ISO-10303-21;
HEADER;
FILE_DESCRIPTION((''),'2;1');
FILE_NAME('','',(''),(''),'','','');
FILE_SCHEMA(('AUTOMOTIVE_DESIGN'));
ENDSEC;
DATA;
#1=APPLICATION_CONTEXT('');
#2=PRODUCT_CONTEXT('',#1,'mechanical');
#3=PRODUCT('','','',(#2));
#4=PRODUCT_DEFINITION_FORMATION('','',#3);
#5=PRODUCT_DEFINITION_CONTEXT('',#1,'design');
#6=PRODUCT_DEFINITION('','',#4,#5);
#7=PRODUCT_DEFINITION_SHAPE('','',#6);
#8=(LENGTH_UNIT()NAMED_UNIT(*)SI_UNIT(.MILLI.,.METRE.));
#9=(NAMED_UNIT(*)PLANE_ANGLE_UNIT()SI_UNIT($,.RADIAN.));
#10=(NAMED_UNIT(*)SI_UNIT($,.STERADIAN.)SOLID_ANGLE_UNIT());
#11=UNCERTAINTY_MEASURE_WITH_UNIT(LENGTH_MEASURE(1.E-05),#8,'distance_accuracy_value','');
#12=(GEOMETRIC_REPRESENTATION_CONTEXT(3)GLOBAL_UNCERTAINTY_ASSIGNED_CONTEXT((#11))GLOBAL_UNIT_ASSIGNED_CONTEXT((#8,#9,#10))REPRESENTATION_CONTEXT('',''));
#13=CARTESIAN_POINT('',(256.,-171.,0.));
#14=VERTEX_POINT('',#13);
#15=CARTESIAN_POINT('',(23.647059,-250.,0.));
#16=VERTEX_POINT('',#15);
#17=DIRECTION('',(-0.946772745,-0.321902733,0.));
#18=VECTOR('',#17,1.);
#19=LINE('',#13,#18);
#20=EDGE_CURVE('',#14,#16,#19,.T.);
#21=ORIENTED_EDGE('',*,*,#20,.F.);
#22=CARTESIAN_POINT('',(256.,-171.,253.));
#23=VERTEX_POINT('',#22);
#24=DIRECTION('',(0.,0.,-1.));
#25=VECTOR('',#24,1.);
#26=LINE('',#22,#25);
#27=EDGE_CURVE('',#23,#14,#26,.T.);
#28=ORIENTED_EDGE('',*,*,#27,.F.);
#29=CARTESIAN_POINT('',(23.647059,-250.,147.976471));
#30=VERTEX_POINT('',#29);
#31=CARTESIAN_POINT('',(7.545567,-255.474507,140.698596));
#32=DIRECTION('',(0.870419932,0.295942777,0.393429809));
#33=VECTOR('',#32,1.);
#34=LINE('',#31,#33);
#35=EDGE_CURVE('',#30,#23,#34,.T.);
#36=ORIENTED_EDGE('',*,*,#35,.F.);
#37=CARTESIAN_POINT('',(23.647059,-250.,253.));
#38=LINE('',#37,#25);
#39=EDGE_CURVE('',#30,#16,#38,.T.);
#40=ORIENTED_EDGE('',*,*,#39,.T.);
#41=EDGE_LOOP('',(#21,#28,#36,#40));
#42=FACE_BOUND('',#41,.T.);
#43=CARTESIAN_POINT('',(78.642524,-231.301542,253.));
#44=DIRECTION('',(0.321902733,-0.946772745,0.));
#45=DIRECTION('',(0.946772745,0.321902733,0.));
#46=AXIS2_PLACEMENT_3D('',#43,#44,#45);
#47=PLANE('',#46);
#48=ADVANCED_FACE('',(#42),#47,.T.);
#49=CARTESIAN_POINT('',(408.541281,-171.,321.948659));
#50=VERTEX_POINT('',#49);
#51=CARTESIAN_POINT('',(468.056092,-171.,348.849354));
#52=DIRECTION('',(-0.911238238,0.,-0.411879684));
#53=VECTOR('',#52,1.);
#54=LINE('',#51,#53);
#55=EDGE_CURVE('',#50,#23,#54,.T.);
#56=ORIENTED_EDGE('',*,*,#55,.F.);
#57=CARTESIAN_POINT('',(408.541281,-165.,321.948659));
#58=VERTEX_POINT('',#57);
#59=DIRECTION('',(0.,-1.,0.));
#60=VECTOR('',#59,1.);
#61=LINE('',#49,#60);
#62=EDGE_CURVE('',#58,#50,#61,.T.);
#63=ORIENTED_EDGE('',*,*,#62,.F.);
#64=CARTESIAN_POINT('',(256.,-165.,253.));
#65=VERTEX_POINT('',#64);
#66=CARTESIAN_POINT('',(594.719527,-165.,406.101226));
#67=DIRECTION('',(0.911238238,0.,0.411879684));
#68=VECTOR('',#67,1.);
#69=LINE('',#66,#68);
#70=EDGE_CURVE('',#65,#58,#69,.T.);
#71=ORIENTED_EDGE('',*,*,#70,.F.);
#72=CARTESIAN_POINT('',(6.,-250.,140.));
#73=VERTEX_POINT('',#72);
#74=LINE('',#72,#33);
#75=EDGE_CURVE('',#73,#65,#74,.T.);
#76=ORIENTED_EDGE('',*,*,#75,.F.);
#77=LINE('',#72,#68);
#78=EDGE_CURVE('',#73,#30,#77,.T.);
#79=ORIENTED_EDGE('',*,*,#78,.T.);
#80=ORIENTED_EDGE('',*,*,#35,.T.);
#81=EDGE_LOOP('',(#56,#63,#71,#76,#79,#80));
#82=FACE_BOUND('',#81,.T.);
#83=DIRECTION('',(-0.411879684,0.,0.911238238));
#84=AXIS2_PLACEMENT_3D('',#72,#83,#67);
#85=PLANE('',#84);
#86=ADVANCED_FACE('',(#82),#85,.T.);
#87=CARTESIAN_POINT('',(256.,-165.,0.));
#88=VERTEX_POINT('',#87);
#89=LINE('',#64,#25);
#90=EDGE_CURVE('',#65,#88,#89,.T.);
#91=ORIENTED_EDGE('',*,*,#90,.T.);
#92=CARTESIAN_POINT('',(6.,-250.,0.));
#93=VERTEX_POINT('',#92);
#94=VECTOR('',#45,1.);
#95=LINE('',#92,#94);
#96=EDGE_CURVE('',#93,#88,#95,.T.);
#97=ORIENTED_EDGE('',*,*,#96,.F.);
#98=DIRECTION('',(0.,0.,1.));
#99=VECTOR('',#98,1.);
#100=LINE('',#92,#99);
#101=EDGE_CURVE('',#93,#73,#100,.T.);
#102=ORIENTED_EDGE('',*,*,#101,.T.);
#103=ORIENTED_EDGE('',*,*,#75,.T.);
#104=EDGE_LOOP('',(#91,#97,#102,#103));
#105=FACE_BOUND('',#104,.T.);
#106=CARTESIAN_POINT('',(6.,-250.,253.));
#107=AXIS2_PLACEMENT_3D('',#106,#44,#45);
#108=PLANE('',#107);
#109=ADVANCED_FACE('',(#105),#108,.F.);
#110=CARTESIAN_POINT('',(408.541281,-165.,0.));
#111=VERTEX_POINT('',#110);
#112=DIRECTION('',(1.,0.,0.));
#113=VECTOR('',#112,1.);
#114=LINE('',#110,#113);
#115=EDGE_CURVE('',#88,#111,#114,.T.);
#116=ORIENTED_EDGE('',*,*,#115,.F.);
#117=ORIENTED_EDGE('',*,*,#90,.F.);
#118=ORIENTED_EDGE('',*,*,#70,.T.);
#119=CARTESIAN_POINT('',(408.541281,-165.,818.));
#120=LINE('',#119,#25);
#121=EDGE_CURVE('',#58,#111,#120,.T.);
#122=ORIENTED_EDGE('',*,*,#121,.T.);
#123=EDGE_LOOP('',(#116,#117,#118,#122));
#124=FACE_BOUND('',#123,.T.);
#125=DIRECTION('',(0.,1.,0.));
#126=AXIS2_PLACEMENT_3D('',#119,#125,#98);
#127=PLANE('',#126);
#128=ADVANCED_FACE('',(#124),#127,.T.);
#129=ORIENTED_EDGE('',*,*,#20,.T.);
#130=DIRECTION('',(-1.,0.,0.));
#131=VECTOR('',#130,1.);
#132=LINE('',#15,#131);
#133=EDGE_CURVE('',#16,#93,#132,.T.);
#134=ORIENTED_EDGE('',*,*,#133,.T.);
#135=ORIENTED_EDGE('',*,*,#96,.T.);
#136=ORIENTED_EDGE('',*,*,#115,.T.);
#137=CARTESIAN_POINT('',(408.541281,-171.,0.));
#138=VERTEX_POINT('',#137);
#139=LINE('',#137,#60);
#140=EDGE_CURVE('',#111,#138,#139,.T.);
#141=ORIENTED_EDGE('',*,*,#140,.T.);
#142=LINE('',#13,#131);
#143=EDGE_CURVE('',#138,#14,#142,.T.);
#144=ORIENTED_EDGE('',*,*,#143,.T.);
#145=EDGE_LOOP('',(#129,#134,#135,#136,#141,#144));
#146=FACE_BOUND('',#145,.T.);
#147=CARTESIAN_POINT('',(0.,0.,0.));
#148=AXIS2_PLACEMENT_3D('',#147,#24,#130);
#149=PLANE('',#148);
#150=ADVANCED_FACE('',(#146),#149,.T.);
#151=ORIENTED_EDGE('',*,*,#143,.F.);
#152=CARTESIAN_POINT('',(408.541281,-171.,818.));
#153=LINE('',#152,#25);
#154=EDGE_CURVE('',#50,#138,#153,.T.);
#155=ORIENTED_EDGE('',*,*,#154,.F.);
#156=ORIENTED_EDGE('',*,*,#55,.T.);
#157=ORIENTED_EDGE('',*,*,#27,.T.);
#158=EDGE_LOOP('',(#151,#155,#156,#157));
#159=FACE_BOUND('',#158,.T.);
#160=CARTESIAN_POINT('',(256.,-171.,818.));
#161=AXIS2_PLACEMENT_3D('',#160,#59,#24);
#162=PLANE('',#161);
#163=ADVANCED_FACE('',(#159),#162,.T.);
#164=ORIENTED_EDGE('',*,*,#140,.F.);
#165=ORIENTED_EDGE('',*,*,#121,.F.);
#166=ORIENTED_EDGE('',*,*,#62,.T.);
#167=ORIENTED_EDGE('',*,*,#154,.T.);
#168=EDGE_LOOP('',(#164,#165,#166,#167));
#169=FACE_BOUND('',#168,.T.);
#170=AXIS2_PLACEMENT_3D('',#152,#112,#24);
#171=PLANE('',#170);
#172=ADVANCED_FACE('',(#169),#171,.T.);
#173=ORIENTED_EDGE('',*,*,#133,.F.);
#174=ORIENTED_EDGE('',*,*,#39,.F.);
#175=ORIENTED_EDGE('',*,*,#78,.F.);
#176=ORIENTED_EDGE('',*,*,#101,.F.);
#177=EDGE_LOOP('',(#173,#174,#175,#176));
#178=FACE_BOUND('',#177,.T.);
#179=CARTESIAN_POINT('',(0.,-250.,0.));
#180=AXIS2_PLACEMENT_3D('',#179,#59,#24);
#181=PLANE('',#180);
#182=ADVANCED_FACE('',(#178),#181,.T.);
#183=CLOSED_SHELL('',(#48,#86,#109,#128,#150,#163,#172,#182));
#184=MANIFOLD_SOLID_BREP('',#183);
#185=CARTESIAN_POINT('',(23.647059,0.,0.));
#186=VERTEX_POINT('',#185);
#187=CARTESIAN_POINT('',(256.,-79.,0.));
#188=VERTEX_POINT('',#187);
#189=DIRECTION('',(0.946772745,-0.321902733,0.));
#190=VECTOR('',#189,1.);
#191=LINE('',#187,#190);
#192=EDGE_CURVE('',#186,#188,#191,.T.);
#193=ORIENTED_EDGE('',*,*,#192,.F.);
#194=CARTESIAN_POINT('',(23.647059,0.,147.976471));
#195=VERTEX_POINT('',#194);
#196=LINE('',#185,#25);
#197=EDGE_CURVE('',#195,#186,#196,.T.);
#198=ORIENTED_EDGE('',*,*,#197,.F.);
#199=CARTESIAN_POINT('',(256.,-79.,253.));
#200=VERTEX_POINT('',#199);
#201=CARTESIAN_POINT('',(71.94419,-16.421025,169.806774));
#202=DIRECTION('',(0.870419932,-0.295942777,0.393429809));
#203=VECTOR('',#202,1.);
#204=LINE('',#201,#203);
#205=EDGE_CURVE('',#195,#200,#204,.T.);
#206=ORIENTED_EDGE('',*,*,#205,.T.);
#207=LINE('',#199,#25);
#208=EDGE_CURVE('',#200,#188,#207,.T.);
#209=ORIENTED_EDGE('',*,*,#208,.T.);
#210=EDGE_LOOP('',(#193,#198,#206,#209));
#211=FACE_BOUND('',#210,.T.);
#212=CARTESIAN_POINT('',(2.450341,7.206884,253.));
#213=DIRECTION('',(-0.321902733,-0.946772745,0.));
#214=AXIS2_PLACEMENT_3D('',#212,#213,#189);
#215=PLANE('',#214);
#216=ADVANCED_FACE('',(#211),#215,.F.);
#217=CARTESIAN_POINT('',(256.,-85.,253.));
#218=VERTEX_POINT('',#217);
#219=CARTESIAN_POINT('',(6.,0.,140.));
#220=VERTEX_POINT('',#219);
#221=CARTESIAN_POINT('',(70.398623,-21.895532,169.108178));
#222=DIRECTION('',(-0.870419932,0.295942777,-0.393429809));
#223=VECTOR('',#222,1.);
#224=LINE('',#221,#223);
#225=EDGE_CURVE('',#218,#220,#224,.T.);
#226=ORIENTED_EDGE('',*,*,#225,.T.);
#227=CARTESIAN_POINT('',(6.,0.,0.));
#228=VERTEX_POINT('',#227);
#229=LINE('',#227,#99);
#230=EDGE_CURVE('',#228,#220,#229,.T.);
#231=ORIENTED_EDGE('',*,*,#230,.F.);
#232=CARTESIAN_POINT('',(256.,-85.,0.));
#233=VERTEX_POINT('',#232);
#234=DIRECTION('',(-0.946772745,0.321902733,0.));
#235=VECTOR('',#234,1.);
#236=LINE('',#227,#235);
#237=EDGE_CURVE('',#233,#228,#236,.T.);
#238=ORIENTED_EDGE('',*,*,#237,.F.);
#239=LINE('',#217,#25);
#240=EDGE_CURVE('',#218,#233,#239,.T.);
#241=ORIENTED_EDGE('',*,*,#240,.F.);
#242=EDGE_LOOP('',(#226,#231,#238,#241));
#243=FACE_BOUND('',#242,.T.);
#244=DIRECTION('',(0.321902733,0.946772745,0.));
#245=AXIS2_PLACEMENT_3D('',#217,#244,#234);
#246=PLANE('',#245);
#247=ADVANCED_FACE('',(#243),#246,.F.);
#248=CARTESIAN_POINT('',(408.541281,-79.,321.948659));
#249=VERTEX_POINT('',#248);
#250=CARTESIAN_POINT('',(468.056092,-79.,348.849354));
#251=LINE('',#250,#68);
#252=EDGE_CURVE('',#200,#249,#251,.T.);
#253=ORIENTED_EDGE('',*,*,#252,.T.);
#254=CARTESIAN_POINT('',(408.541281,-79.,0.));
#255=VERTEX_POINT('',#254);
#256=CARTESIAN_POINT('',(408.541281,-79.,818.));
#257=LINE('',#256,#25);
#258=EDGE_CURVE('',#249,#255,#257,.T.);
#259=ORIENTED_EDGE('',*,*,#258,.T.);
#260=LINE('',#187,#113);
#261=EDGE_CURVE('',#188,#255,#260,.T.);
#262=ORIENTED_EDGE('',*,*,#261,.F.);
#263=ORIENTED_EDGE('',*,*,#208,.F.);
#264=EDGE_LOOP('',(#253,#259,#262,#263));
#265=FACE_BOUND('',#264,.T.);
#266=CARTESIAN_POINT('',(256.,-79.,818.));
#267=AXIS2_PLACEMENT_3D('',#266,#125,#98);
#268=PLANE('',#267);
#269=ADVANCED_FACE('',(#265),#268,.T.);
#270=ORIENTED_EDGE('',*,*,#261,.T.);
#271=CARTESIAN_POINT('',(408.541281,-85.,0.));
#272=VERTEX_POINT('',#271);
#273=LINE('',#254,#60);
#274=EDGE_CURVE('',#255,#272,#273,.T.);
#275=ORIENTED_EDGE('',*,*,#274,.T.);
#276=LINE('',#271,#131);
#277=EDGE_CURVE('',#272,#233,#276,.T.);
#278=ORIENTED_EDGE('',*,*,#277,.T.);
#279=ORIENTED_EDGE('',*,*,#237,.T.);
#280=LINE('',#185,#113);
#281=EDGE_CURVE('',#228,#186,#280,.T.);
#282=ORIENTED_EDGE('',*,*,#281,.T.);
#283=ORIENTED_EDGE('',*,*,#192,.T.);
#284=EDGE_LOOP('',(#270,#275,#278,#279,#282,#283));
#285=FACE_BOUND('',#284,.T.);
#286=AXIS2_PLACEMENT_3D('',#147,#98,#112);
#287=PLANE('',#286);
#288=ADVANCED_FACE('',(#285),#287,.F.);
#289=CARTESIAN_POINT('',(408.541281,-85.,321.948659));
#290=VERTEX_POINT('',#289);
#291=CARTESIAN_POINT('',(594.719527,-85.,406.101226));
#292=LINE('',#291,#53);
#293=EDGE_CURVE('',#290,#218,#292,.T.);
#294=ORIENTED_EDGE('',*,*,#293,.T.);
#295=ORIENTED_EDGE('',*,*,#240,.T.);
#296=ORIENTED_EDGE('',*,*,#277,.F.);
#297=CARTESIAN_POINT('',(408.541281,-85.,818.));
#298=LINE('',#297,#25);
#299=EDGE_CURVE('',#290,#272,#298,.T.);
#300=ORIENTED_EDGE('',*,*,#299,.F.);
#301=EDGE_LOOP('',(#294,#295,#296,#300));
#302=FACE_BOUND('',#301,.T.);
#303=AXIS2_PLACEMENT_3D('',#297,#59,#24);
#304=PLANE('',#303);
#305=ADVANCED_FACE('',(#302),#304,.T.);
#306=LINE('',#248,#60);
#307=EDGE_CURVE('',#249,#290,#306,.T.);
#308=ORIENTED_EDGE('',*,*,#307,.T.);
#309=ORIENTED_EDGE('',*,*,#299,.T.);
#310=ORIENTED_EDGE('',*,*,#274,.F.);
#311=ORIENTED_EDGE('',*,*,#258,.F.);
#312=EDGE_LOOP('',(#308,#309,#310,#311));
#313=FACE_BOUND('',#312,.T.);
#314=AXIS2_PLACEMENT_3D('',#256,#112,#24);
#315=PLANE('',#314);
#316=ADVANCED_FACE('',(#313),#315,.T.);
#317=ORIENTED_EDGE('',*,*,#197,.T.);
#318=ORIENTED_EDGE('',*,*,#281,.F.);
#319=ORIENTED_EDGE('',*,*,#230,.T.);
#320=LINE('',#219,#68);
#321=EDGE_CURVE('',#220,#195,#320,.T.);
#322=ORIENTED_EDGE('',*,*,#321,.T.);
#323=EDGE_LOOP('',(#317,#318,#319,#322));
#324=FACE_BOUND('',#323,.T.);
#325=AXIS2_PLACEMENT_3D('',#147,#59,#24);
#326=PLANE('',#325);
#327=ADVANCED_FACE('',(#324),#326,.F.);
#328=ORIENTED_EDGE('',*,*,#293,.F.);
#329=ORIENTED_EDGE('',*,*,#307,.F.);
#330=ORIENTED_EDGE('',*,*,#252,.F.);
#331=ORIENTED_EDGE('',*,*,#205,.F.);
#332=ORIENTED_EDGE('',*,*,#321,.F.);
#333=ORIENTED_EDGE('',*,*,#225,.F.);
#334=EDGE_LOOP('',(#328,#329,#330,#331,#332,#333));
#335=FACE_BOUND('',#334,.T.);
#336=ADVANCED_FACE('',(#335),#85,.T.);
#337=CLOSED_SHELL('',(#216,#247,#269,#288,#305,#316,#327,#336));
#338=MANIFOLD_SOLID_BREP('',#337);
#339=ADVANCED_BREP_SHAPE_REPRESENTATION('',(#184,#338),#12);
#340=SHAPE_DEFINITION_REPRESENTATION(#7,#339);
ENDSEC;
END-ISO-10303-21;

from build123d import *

# Parameters (mm, degrees)
ESBO_O1_W                = 6
ESBO_O1_H                = 250
RESSALTO_EXTRUS_O1_DEPTH = 140
RESSALTO_EXTRUS_O2_DEPTH = 250
CORTE_EXTRUS_O2_DEPTH    = 385.234303518
CORTE_EXTRUS_O3_DEPTH    = 385.234303518
RESSALTO_EXTRUS_O3_DEPTH = 140
ESBO_O7_W                = 140
ESBO_O7_H                = 250
CORTE_EXTRUS_O4_DEPTH    = 435.751653246
ESBO_O16_W               = 152.541281031
ESBO_O16_H               = 6
RESSALTO_EXTRUS_O7_DEPTH = 818
ESBO_O18_W               = 875.999462612
ESBO_O18_H               = 418.194526065
CORTE_EXTRUS_O7_DEPTH    = 878.372173794


with BuildPart() as part:
    # Esboço1 → Ressalto-extrusão1 (new body)
    with BuildSketch(Plane.XY):
        with Locations((3, -125)):
            Rectangle(ESBO_O1_W, ESBO_O1_H)
    extrude(amount=RESSALTO_EXTRUS_O1_DEPTH)

    # Esboço7 → Corte-extrusão4 (cut, through all)
    with BuildSketch(Plane(origin=(6, 0, 0), x_dir=(0, 0, -1), z_dir=(1, 0, 0))):
        with Locations((-70, -125)):
            Rectangle(ESBO_O7_W, ESBO_O7_H)
    extrude(amount=-CORTE_EXTRUS_O4_DEPTH, mode=Mode.SUBTRACT)


with BuildPart() as body_2:
    # Esboço3 → Ressalto-extrusão2 (new body)
    with BuildSketch(Plane(origin=(0, 0, 0), x_dir=(1, 0, 0), z_dir=(0, 1, 0))):
        Polygon((6, -140), (256, -253), (256, -140), align=None)
    extrude(amount=-RESSALTO_EXTRUS_O2_DEPTH)

    # Esboço5 → Corte-extrusão2 (cut, through all)
    with BuildSketch(Plane(origin=(0, 0, 140), x_dir=(-1, 0, 0), z_dir=(0, 0, -1))):
        Polygon((-256, -85), (-6, 0), (-6, -250), (-256, -165), align=None)
    extrude(amount=-CORTE_EXTRUS_O2_DEPTH, mode=Mode.SUBTRACT)


with BuildPart() as corte_extrus_o2_piece_1:
    # of the separate pieces the step leaves, piece 1, a body of its own (corte_extrus_o2_pieces)
    add(body_2.part.solids().sort_by_distance((256, -165, 253))[0])


with BuildPart() as corte_extrus_o2_piece_2:
    # of the separate pieces the step leaves, piece 2, a body of its own (corte_extrus_o2_pieces)
    add(body_2.part.solids().sort_by_distance((6, 0, 140))[0])


with BuildPart() as corte_extrus_o3_tool:
    # Esboço6 → Corte-extrusão3 (new, through all)
    with BuildSketch(Plane(origin=(0, 0, 140), x_dir=(-1, 0, 0), z_dir=(0, 0, -1))):
        Polygon((-23.647058824, 0), (-256, 0), (-256, -79), align=None)
        Polygon((-23.647058824, -250), (-256, -171), (-256, -250), align=None)
    extrude(amount=-CORTE_EXTRUS_O3_DEPTH)


with BuildPart() as corte_extrus_o2_piece_1_1:
    add(corte_extrus_o2_piece_1.part)

    # Corte-extrusão3: cut by corte_extrus_o3_tool
    add(corte_extrus_o3_tool.part, mode=Mode.SUBTRACT)


with BuildPart() as corte_extrus_o2_piece_2_1:
    add(corte_extrus_o2_piece_2.part)

    # Corte-extrusão3: cut by corte_extrus_o3_tool
    add(corte_extrus_o3_tool.part, mode=Mode.SUBTRACT)


    add(corte_extrus_o2_piece_1_1.part)  # Ressalto-extrusão3 merges Corte-extrusão2 piece 1
    # Esboço8 → Ressalto-extrusão3 (add)
    with BuildSketch(Plane(origin=(0, 0, 140), x_dir=(-1, 0, 0), z_dir=(0, 0, -1))):
        Polygon((-256, -79), (-23.647058824, 0), (-6, 0), (-256, -85), align=None)
        Polygon((-256, -165), (-256, -171), (-23.647058824, -250), (-6, -250), align=None)
    extrude(amount=RESSALTO_EXTRUS_O3_DEPTH)

    # Esboço16 → Ressalto-extrusão7 (add)
    with BuildSketch(Plane(origin=(0, 0, 0), x_dir=(-1, 0, 0), z_dir=(0, 0, -1))):
        with Locations((-332.270640516, -82)):
            Rectangle(ESBO_O16_W, ESBO_O16_H)
        with Locations((-332.270640516, -168)):
            Rectangle(ESBO_O16_W, ESBO_O16_H)
    extrude(amount=-RESSALTO_EXTRUS_O7_DEPTH)

    # Esboço18 → Corte-extrusão7 (cut, through all)
    with BuildSketch(Plane(origin=(-51.527003149, 0, 113.997794577), x_dir=(0.9112382379380309, 0, 0.41187968354799004), z_dir=(-0.41187968354799004, 0, 0.9112382379380309))):
        with Locations((331.831279582, -101.987624117)):
            Rectangle(ESBO_O18_W, ESBO_O18_H)
    extrude(amount=CORTE_EXTRUS_O7_DEPTH, mode=Mode.SUBTRACT)


solid = corte_extrus_o2_piece_2_1.part
